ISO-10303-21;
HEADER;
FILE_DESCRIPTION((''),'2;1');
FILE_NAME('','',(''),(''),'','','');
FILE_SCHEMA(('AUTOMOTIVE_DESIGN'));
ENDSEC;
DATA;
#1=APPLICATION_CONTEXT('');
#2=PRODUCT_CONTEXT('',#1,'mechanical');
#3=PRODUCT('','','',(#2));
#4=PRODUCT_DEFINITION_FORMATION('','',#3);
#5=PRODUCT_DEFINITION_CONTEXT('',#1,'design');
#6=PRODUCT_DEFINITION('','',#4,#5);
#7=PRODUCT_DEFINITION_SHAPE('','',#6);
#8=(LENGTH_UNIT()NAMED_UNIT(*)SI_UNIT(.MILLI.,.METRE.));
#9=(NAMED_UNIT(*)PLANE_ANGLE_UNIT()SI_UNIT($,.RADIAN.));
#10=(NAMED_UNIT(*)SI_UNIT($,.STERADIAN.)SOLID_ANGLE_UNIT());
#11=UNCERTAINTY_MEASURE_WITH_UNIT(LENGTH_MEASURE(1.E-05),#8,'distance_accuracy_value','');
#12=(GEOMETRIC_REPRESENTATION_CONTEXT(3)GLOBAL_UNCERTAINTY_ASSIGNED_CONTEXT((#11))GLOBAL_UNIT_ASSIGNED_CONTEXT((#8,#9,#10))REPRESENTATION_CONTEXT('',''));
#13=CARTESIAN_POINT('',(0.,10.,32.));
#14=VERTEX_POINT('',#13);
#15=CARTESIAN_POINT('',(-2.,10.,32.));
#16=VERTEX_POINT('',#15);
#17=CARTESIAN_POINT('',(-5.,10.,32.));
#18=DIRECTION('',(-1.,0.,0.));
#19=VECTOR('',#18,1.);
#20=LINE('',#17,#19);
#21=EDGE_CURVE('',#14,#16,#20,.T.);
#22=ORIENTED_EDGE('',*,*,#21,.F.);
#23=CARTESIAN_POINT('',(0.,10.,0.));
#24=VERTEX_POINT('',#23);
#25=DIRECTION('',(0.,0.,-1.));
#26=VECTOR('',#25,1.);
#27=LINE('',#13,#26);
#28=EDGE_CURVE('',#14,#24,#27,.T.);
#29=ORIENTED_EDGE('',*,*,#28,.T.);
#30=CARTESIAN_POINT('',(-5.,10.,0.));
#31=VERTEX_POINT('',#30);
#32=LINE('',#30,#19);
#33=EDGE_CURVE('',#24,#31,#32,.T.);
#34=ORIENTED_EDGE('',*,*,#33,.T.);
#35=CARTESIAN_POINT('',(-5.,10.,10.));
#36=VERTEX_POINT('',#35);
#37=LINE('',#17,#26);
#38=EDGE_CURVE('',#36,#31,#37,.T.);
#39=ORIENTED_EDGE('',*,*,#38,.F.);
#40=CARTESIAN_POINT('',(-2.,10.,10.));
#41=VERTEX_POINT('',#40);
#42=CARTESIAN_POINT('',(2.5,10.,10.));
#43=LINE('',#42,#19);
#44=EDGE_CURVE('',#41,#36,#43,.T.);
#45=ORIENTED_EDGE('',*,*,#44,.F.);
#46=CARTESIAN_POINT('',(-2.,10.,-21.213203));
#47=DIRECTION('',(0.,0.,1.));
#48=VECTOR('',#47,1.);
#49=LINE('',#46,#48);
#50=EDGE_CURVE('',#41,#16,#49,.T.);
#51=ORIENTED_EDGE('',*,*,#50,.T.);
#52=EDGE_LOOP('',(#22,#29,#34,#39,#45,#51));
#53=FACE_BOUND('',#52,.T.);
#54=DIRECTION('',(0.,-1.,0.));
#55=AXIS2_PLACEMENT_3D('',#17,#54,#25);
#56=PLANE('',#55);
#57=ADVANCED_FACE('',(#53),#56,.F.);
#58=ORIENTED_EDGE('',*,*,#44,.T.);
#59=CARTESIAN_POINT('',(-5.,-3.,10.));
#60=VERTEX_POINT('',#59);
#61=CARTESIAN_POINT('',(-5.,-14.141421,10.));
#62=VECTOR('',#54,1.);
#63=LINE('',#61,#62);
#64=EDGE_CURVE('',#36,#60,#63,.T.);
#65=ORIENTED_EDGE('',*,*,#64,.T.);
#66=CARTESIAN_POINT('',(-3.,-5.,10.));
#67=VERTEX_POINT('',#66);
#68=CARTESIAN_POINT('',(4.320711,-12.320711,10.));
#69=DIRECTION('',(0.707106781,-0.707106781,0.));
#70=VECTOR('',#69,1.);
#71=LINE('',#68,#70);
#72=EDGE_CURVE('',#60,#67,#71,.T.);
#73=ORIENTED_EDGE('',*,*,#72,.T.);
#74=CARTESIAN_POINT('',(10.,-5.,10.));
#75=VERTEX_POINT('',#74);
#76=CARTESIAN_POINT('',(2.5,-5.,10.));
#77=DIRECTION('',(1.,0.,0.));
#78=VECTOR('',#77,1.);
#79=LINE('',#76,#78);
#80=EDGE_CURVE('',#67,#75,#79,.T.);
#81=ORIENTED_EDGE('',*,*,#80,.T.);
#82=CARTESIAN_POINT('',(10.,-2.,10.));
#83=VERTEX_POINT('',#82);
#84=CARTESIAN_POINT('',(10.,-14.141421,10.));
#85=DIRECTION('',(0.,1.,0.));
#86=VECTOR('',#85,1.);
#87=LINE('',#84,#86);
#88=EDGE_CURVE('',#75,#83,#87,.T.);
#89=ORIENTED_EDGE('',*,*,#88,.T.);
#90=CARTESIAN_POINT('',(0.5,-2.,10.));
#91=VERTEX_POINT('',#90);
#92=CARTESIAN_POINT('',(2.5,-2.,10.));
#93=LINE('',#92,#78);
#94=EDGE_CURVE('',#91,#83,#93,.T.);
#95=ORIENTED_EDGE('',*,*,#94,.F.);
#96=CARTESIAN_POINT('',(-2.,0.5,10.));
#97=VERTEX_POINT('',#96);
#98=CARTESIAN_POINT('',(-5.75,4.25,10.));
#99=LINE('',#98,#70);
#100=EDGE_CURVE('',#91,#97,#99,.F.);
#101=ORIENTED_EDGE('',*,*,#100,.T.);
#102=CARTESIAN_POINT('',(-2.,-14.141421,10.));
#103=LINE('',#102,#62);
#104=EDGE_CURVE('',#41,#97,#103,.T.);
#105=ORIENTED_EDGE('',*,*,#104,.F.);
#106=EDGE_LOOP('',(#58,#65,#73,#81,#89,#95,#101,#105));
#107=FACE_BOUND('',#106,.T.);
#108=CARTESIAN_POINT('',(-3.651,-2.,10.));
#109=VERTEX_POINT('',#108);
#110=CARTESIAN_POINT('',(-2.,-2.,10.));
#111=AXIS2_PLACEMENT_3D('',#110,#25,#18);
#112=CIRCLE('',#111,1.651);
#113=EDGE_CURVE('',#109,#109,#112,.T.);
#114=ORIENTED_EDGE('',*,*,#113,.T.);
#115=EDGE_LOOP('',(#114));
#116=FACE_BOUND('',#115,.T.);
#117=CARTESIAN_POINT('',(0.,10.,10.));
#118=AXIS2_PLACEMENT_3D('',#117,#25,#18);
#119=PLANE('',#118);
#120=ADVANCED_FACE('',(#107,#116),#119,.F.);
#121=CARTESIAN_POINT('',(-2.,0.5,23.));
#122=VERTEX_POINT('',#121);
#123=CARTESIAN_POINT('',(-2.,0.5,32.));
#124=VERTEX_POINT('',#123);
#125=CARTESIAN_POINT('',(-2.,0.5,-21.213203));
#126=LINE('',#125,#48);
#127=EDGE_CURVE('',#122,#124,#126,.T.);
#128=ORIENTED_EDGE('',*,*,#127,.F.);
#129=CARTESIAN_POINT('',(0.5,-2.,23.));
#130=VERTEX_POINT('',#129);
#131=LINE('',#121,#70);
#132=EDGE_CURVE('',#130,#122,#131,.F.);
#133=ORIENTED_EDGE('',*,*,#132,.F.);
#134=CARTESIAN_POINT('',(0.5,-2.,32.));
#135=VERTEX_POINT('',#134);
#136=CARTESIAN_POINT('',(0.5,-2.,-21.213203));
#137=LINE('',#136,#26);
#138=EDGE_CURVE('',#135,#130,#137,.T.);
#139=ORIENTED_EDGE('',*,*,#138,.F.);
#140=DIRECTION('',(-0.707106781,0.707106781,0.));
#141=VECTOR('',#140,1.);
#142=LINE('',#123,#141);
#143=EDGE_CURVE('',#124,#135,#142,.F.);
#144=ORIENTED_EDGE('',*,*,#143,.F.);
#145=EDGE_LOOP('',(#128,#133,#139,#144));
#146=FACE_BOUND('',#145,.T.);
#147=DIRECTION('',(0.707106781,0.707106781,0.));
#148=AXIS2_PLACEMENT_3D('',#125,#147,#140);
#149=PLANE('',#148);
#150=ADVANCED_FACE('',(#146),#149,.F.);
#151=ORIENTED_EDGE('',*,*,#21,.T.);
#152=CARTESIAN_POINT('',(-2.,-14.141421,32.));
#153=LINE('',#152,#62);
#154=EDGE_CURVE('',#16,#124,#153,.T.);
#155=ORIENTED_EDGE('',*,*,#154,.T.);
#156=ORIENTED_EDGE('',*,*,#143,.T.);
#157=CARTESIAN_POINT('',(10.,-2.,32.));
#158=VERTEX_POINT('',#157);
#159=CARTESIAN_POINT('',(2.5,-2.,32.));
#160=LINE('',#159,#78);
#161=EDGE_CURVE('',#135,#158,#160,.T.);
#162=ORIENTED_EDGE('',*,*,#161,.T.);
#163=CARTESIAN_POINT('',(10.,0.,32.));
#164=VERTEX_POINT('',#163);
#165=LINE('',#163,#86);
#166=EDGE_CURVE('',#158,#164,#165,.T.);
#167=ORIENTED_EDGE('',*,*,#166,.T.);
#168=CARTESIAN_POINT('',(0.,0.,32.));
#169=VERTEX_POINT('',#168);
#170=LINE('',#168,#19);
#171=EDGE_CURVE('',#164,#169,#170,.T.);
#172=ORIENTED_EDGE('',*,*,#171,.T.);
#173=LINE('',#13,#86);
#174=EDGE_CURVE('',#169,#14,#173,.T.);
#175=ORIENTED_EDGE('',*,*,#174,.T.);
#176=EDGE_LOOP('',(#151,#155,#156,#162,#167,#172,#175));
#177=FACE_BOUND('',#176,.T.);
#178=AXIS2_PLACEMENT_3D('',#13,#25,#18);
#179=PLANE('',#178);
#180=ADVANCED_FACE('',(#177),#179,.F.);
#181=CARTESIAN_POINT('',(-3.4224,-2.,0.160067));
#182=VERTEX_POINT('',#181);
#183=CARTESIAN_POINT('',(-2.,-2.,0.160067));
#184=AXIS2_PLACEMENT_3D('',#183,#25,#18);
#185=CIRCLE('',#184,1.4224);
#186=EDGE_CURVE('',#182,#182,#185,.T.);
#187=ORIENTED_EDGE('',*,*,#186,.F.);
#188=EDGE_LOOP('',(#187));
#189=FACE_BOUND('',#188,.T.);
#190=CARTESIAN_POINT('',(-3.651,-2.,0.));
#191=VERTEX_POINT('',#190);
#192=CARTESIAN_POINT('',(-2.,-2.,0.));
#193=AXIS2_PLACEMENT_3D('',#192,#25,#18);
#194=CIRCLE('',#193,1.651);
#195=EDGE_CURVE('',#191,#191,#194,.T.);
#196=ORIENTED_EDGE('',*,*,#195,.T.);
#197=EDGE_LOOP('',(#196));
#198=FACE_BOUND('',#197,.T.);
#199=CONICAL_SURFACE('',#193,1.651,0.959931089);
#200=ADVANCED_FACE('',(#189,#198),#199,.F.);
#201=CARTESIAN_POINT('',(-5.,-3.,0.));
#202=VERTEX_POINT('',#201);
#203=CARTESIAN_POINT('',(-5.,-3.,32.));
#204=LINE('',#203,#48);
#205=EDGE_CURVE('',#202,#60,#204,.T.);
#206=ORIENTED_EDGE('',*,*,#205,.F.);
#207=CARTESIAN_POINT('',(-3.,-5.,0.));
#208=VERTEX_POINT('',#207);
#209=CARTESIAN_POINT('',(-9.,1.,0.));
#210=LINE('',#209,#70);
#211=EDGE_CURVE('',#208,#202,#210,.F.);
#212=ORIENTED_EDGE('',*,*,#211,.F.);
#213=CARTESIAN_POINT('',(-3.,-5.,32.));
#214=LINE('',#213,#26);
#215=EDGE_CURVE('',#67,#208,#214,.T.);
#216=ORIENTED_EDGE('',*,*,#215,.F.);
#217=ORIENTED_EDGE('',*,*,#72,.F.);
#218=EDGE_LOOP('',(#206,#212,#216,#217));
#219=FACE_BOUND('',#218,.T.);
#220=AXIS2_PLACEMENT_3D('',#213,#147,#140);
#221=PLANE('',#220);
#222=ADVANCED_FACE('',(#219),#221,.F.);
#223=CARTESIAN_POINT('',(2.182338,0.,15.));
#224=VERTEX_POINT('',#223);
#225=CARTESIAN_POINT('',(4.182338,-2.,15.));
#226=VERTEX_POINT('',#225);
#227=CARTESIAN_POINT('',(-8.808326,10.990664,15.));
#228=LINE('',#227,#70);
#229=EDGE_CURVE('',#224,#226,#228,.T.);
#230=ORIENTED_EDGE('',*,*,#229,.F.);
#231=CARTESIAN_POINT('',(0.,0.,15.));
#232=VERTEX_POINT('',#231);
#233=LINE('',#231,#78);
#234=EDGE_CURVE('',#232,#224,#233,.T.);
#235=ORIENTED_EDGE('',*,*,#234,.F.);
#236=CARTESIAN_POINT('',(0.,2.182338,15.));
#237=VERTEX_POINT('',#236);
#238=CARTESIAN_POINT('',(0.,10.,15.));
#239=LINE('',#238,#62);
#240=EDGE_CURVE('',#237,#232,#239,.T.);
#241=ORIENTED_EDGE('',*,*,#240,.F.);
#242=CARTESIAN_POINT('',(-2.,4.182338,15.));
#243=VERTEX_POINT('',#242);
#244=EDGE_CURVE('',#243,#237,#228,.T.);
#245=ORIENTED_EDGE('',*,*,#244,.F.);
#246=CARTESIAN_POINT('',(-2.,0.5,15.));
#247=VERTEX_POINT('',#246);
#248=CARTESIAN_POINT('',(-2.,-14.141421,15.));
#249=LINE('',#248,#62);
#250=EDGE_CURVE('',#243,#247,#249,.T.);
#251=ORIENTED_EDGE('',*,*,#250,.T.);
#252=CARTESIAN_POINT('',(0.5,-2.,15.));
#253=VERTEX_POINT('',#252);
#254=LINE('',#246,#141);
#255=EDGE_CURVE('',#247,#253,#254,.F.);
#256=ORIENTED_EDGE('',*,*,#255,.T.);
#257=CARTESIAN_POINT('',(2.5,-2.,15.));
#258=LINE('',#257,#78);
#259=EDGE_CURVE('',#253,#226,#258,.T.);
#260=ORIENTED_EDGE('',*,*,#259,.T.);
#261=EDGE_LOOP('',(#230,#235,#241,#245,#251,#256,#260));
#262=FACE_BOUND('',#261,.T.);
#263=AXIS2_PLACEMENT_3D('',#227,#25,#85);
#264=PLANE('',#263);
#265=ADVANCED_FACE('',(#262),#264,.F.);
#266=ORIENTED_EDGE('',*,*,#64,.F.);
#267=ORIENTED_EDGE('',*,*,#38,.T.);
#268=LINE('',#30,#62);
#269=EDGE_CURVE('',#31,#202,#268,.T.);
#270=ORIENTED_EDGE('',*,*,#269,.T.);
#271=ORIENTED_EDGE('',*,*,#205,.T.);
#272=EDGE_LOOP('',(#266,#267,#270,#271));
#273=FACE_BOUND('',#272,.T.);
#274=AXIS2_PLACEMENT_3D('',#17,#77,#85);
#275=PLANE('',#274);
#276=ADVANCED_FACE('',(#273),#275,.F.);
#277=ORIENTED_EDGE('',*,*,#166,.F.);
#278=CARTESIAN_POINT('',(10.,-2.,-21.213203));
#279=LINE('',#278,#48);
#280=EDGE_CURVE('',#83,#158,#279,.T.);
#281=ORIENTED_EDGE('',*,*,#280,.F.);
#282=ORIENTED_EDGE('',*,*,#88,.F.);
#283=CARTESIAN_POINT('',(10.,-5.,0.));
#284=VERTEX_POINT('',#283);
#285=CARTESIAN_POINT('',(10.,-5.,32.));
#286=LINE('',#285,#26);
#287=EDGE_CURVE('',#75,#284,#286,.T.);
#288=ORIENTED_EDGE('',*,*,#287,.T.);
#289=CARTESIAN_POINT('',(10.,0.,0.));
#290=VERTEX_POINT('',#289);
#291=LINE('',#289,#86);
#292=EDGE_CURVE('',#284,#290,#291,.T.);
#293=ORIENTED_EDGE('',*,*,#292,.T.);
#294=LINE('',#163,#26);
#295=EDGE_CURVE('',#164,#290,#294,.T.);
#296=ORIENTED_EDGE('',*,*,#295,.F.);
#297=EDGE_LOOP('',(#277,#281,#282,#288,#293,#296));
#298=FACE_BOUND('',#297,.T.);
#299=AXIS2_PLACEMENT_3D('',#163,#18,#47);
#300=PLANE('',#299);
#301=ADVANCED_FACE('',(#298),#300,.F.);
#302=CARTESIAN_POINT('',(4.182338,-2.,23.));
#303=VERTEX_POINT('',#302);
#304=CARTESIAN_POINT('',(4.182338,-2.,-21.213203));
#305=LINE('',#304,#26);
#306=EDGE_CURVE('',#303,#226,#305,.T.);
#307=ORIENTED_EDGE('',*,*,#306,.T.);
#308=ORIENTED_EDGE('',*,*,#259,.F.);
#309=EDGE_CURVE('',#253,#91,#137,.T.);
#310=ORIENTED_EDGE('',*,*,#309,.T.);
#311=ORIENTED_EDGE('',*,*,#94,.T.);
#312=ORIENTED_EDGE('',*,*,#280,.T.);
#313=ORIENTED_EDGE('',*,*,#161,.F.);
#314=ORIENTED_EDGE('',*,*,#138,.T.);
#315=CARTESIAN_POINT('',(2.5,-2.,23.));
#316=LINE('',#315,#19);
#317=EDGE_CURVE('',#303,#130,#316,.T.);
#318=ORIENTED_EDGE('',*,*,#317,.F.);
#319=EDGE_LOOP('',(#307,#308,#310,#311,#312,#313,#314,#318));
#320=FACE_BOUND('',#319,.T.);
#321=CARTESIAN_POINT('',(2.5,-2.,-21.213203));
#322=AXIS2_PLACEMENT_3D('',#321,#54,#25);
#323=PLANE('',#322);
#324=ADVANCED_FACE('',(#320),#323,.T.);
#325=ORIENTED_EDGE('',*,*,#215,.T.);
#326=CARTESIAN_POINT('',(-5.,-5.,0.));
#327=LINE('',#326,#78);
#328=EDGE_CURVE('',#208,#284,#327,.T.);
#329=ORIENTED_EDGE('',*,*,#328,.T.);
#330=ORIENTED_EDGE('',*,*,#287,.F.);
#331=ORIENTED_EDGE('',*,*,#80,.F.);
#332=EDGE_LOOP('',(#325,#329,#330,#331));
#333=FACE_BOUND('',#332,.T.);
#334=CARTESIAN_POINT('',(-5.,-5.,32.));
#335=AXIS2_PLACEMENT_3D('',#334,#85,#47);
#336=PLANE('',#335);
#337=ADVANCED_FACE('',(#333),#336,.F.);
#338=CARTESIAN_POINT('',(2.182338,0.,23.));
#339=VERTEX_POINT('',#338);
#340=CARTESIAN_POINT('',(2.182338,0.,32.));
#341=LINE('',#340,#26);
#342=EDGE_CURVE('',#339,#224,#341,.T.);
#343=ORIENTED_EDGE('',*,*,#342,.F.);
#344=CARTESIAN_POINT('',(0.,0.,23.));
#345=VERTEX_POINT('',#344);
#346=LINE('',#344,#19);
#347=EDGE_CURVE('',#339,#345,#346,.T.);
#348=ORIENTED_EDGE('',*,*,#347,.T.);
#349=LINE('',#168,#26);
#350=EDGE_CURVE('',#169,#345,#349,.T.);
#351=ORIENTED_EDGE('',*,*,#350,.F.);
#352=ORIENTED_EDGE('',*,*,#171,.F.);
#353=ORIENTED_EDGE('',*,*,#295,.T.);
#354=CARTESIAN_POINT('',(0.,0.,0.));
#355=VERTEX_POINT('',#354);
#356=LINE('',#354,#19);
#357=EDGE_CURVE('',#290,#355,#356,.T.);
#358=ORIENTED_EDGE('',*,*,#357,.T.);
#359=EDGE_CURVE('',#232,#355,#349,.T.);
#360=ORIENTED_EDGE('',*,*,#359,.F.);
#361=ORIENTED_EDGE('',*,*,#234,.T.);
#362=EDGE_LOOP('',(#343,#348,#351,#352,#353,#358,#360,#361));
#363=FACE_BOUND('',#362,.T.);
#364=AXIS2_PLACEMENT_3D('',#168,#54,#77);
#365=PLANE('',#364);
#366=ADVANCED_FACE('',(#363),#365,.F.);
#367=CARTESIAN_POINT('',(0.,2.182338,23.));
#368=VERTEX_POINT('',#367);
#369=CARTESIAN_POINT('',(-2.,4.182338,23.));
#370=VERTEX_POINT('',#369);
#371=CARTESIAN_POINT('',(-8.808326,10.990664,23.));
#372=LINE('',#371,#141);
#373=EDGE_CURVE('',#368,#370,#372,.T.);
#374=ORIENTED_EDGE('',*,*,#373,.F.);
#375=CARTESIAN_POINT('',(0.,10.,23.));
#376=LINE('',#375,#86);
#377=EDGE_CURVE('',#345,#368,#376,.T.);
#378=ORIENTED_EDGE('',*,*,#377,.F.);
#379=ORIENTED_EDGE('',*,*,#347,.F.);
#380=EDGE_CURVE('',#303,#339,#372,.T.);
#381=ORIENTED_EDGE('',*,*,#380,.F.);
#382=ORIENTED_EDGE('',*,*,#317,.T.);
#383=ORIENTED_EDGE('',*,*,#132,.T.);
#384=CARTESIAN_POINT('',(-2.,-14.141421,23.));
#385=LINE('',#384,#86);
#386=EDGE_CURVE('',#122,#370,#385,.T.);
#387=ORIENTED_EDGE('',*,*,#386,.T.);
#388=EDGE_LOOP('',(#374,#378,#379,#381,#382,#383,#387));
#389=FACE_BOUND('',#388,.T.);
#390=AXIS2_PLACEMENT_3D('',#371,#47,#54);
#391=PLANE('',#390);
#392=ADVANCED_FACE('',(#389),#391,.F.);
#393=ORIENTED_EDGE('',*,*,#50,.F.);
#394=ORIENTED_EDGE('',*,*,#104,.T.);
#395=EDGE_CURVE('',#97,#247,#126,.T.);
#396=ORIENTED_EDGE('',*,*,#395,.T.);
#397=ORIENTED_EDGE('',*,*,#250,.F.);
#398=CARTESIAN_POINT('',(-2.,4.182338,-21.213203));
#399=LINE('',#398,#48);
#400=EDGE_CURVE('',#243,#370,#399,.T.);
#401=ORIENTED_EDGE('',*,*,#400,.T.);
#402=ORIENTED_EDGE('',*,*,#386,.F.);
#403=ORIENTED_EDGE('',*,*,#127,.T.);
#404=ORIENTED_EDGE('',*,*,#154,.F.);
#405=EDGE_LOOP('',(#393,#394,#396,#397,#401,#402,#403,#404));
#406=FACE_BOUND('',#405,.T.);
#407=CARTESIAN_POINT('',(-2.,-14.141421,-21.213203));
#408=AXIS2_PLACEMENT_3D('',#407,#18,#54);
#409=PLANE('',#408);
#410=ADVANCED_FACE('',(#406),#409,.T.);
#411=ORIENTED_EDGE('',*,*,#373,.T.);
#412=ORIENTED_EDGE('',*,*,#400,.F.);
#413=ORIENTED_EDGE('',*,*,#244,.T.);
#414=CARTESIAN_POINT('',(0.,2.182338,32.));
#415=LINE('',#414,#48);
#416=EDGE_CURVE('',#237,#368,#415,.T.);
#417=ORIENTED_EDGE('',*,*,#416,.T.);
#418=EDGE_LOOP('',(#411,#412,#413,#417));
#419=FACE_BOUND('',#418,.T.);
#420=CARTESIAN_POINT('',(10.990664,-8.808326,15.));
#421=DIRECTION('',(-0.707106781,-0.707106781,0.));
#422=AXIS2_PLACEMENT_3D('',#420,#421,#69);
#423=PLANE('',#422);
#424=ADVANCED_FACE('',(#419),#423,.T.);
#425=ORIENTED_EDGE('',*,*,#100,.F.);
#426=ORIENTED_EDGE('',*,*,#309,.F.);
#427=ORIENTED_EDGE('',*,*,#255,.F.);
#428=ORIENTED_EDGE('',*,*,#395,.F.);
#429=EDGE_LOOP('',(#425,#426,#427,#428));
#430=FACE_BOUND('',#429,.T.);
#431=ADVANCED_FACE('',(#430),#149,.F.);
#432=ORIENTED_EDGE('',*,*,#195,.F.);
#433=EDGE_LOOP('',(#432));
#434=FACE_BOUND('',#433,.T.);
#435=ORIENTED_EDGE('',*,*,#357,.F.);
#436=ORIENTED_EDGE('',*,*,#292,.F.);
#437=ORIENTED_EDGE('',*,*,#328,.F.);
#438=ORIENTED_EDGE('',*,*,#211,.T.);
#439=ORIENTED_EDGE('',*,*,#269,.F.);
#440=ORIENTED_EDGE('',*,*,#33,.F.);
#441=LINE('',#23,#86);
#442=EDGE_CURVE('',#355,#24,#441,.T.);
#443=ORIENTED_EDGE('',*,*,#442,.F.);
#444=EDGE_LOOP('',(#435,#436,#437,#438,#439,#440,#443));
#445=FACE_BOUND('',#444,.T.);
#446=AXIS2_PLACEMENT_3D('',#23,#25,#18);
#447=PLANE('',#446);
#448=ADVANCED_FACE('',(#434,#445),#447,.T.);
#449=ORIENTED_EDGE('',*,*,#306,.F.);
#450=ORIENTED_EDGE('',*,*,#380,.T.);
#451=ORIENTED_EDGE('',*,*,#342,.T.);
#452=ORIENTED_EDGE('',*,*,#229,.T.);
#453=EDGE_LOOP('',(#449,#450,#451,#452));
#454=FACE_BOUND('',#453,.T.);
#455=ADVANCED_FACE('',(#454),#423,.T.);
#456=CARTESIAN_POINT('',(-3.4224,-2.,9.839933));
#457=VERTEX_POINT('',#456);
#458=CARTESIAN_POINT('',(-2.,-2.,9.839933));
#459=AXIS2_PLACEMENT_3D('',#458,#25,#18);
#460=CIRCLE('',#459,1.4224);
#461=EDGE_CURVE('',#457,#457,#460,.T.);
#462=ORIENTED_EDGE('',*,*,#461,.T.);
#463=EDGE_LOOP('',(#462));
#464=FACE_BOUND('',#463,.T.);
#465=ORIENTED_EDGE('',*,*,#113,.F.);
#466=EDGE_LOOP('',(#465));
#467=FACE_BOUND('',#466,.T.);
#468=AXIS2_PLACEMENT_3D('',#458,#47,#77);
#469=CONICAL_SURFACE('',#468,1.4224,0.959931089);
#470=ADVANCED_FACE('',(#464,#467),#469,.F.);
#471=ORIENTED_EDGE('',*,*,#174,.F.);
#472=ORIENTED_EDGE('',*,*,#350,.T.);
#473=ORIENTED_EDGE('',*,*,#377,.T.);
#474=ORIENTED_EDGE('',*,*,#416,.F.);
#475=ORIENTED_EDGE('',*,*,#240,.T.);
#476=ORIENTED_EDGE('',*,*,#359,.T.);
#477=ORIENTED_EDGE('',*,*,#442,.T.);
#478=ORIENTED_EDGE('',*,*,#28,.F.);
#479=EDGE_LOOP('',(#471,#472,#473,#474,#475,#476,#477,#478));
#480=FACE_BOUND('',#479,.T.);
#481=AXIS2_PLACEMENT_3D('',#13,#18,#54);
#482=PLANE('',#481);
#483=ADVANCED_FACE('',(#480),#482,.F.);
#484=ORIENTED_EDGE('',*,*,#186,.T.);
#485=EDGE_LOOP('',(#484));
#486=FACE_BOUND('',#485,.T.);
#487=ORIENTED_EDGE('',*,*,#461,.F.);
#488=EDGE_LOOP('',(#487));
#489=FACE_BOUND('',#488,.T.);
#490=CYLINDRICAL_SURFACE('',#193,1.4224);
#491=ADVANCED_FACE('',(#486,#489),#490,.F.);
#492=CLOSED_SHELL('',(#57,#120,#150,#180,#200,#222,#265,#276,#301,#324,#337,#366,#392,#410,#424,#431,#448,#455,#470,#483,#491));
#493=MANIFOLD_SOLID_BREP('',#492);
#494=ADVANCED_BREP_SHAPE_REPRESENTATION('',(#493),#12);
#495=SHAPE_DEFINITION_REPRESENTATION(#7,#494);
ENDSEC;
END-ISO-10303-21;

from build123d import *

# Parameters (mm, degrees)
EXTRUDE_1_DEPTH     = 32
CHAMFER_1_SIZE      = 2
CUT_EXTRUDE_1_DEPTH = 22
SKETCH_3_W          = 8
SKETCH_3_H          = 28
CUT_EXTRUDE_2_DEPTH = 7.2
CHAMFER_2_SIZE      = 2.5


with BuildPart() as part:
    # Эскиз1 → Бобышка-Вытянуть1 (new body)
    with BuildSketch(Plane.XY):
        Polygon((0, 10), (0, 0), (10, 0), (10, -5), (-5, -5), (-5, 10), align=None)
    extrude(amount=EXTRUDE_1_DEPTH)

    # Фаска1
    chamfer_1_edges = [part.edges().sort_by_distance(p)[0] for p in [
        (-5, -5, 16),
    ]]
    chamfer(chamfer_1_edges, length=CHAMFER_1_SIZE)

    # Эскиз2 → Вырез-Вытянуть1 (cut)
    with BuildSketch(Plane.XY.offset(32)):
        Polygon((-2, -2), (-2, 10), (-5, 10), (-5, -3), (-3, -5), (10, -5), (10, -2), align=None)
    extrude(amount=-CUT_EXTRUDE_1_DEPTH, mode=Mode.SUBTRACT)

    # Эскиз3 → Вырез-Вытянуть2 (cut)
    with BuildSketch(Plane(origin=(-4, -4, 0), x_dir=(0, 0, 1), z_dir=(-0.707106781, -0.707106781, 0))):
        with Locations((19, 0)):
            Rectangle(SKETCH_3_W, SKETCH_3_H)
    extrude(amount=-CUT_EXTRUDE_2_DEPTH, mode=Mode.SUBTRACT)

    # Фаска2
    chamfer_2_edges = [part.edges().sort_by_distance(p)[0] for p in [
        (-2, -2, 12.5),
        (-2, -2, 27.5),
    ]]
    chamfer(chamfer_2_edges, length=CHAMFER_2_SIZE)

    # Эскиз4 → Отверстие обработанное метчиком #4-401 (revolve, cut)
    with BuildSketch(Plane(origin=(-2, -2, 0), x_dir=(0, 1, 0), z_dir=(1, 0, 0))):
        Polygon((0, 0), (0, 10), (1.651, 10), (1.4224, 9.839932557), (1.4224, 0.160067443), (1.651, 0), align=None)
    revolve(axis=Axis((-2, -2, -6.35), (0, 0, 1)), mode=Mode.SUBTRACT)


solid = part.part
